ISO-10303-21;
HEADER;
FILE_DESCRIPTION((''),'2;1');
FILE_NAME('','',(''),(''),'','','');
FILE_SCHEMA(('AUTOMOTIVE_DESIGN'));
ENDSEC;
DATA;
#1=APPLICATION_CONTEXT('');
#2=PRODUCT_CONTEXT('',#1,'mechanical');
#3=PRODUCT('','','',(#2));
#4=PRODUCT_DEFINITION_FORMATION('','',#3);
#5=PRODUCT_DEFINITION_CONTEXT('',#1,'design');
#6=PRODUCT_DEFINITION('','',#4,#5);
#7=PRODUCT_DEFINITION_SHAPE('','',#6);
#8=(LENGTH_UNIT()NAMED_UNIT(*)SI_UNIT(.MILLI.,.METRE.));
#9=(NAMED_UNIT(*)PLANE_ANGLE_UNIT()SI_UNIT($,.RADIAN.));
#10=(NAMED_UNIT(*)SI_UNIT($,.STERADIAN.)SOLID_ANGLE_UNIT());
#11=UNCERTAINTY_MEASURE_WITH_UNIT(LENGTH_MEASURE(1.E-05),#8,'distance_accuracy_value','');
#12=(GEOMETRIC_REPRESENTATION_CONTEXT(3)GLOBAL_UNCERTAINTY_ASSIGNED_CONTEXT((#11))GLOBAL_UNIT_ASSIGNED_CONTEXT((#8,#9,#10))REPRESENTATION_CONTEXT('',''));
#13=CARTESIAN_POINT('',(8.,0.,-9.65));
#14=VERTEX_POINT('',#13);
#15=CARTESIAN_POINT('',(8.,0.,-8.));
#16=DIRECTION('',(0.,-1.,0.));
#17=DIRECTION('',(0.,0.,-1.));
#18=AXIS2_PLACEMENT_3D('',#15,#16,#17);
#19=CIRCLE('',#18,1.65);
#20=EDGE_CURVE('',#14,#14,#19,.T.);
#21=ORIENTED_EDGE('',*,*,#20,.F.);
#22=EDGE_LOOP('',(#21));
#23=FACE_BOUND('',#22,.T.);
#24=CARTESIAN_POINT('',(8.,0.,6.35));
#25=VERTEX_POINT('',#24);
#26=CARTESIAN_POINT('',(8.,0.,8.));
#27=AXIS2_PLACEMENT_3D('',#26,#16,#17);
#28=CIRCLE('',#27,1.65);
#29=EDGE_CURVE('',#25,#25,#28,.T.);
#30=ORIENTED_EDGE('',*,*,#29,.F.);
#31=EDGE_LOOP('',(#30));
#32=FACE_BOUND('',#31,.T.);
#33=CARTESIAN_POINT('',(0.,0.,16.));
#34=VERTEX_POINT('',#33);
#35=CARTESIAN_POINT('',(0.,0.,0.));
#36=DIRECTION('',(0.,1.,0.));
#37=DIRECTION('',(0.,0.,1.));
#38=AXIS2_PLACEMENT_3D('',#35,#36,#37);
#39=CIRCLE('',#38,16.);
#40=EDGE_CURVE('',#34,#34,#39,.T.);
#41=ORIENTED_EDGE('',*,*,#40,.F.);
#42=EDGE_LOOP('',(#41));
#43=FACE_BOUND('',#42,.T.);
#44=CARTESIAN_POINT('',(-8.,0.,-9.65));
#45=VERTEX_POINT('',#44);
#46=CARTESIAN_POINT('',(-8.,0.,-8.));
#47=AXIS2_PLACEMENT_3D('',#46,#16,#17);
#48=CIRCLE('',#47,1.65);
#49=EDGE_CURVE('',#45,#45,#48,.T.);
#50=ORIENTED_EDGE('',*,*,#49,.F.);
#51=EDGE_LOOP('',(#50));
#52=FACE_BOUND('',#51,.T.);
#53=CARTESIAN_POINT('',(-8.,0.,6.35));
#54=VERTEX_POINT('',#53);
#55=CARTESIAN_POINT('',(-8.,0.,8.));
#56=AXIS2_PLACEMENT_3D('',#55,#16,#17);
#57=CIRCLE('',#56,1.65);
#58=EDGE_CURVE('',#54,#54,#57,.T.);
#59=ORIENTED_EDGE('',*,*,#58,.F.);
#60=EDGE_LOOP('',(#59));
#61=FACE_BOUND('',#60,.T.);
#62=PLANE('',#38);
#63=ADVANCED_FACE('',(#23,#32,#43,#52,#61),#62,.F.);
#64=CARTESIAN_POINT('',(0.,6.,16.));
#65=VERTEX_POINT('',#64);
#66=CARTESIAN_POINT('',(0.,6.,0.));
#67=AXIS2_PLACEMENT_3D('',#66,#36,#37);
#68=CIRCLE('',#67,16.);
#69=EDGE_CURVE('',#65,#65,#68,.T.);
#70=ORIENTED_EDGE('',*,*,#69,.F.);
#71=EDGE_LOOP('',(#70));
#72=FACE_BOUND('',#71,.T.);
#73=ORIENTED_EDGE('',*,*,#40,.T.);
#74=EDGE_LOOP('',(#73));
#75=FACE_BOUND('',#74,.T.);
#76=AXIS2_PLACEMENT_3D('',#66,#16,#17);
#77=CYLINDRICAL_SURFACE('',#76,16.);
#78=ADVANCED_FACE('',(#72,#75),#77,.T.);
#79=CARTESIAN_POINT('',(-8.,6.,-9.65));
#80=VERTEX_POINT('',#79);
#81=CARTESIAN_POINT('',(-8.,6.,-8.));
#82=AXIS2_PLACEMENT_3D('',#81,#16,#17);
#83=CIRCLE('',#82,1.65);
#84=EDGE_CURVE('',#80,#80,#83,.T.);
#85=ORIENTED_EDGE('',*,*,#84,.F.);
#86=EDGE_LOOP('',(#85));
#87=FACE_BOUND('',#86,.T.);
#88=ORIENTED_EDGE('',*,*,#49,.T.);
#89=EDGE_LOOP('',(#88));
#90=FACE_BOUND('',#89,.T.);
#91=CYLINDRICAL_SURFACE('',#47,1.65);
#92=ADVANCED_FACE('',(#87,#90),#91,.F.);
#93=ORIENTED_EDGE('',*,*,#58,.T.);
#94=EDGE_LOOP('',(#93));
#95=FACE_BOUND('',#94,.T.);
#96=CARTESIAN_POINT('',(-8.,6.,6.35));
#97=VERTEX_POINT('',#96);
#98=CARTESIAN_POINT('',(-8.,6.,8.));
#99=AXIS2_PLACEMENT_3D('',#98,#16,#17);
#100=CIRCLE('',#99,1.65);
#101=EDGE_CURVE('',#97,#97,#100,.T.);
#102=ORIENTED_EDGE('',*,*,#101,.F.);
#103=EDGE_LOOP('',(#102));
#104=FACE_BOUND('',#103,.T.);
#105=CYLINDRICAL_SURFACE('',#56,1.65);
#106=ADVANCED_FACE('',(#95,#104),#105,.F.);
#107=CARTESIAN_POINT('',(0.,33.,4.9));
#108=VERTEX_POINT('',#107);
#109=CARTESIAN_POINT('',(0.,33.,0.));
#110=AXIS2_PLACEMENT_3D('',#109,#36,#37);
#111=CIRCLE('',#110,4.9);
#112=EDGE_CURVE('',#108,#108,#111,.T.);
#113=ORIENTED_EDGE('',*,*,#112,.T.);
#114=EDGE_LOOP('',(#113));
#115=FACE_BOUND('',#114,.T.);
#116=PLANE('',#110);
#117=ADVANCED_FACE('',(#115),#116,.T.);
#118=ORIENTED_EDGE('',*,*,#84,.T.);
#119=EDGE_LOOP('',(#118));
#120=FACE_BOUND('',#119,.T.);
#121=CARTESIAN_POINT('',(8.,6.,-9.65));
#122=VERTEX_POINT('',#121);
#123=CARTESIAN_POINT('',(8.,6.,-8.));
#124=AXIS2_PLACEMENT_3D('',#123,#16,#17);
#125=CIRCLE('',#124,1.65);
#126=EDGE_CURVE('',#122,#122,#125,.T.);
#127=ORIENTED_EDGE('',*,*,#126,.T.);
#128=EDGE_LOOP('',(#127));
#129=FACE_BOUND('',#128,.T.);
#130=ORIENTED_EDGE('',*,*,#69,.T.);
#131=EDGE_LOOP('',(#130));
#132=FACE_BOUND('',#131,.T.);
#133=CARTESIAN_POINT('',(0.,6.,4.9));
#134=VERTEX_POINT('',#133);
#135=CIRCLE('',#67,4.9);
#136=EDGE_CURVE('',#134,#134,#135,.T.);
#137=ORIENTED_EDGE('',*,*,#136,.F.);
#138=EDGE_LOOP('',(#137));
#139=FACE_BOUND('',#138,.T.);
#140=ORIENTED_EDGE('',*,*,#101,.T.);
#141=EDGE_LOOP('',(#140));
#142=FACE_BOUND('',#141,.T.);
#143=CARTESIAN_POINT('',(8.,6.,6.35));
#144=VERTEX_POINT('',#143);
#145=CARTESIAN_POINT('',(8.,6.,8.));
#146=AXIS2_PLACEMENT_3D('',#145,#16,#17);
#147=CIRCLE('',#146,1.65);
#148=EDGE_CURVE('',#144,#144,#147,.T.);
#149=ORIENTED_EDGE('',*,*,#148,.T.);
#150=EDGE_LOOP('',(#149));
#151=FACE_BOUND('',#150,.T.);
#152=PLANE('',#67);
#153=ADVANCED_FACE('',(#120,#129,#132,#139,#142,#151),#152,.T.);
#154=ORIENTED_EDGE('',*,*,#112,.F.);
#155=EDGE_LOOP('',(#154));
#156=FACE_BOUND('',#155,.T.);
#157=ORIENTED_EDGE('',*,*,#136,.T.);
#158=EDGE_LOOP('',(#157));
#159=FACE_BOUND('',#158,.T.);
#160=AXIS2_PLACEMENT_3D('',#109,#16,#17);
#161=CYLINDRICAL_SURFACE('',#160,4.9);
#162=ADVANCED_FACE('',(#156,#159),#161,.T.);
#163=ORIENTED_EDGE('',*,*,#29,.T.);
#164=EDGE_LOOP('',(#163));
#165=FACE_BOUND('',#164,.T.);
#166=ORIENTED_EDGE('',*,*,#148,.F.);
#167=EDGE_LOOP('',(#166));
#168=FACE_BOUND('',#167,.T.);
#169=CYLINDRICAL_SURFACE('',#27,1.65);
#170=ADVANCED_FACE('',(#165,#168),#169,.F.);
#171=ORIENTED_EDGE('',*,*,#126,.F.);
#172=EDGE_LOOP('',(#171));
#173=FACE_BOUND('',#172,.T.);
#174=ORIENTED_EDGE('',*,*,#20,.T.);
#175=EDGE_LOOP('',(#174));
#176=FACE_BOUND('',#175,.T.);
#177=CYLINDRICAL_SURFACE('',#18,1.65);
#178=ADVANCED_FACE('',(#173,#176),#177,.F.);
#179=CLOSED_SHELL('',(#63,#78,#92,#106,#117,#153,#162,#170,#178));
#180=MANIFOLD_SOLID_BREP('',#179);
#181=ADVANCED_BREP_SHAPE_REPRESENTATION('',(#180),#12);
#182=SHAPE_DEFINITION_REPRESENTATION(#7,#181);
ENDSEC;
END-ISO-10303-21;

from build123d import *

# Parameters (mm, degrees)
SKETCH1_R                   = 16
BOSS_EXTRUDE1_DEPTH         = 6
TAP_DRILL_FOR_M4X0_7_TAP1_D = 3.3
SKETCH3_R                   = 4.9
BOSS_EXTRUDE2_DEPTH         = 27


with BuildPart() as part:
    # Sketch1 → Boss-Extrude1 (new body)
    with BuildSketch(Plane(origin=(0, 0, 0), x_dir=(1, 0, 0), z_dir=(0, 1, 0))):
        with Locations(Location((0, 0, 0), (0, 0, 270))):
            Circle(SKETCH1_R)
    extrude(amount=BOSS_EXTRUDE1_DEPTH)

    # Tap Drill for M4x0.7 Tap1 (through all)
    with Locations(Plane(origin=(0, 0, 0), x_dir=(-1, 0, 0), z_dir=(0, -1, 0))):
        with Locations((-8, 8), (-8, -8), (8, -8), (8, 8)):
            Hole(TAP_DRILL_FOR_M4X0_7_TAP1_D / 2)

    # Sketch3 → Boss-Extrude2 (add)
    with BuildSketch(Plane(origin=(0, 6, 0), x_dir=(1, 0, 0), z_dir=(0, 1, 0))):
        with Locations(Location((0, 0, 0), (0, 0, 270))):
            Circle(SKETCH3_R)
    extrude(amount=BOSS_EXTRUDE2_DEPTH)


solid = part.part
